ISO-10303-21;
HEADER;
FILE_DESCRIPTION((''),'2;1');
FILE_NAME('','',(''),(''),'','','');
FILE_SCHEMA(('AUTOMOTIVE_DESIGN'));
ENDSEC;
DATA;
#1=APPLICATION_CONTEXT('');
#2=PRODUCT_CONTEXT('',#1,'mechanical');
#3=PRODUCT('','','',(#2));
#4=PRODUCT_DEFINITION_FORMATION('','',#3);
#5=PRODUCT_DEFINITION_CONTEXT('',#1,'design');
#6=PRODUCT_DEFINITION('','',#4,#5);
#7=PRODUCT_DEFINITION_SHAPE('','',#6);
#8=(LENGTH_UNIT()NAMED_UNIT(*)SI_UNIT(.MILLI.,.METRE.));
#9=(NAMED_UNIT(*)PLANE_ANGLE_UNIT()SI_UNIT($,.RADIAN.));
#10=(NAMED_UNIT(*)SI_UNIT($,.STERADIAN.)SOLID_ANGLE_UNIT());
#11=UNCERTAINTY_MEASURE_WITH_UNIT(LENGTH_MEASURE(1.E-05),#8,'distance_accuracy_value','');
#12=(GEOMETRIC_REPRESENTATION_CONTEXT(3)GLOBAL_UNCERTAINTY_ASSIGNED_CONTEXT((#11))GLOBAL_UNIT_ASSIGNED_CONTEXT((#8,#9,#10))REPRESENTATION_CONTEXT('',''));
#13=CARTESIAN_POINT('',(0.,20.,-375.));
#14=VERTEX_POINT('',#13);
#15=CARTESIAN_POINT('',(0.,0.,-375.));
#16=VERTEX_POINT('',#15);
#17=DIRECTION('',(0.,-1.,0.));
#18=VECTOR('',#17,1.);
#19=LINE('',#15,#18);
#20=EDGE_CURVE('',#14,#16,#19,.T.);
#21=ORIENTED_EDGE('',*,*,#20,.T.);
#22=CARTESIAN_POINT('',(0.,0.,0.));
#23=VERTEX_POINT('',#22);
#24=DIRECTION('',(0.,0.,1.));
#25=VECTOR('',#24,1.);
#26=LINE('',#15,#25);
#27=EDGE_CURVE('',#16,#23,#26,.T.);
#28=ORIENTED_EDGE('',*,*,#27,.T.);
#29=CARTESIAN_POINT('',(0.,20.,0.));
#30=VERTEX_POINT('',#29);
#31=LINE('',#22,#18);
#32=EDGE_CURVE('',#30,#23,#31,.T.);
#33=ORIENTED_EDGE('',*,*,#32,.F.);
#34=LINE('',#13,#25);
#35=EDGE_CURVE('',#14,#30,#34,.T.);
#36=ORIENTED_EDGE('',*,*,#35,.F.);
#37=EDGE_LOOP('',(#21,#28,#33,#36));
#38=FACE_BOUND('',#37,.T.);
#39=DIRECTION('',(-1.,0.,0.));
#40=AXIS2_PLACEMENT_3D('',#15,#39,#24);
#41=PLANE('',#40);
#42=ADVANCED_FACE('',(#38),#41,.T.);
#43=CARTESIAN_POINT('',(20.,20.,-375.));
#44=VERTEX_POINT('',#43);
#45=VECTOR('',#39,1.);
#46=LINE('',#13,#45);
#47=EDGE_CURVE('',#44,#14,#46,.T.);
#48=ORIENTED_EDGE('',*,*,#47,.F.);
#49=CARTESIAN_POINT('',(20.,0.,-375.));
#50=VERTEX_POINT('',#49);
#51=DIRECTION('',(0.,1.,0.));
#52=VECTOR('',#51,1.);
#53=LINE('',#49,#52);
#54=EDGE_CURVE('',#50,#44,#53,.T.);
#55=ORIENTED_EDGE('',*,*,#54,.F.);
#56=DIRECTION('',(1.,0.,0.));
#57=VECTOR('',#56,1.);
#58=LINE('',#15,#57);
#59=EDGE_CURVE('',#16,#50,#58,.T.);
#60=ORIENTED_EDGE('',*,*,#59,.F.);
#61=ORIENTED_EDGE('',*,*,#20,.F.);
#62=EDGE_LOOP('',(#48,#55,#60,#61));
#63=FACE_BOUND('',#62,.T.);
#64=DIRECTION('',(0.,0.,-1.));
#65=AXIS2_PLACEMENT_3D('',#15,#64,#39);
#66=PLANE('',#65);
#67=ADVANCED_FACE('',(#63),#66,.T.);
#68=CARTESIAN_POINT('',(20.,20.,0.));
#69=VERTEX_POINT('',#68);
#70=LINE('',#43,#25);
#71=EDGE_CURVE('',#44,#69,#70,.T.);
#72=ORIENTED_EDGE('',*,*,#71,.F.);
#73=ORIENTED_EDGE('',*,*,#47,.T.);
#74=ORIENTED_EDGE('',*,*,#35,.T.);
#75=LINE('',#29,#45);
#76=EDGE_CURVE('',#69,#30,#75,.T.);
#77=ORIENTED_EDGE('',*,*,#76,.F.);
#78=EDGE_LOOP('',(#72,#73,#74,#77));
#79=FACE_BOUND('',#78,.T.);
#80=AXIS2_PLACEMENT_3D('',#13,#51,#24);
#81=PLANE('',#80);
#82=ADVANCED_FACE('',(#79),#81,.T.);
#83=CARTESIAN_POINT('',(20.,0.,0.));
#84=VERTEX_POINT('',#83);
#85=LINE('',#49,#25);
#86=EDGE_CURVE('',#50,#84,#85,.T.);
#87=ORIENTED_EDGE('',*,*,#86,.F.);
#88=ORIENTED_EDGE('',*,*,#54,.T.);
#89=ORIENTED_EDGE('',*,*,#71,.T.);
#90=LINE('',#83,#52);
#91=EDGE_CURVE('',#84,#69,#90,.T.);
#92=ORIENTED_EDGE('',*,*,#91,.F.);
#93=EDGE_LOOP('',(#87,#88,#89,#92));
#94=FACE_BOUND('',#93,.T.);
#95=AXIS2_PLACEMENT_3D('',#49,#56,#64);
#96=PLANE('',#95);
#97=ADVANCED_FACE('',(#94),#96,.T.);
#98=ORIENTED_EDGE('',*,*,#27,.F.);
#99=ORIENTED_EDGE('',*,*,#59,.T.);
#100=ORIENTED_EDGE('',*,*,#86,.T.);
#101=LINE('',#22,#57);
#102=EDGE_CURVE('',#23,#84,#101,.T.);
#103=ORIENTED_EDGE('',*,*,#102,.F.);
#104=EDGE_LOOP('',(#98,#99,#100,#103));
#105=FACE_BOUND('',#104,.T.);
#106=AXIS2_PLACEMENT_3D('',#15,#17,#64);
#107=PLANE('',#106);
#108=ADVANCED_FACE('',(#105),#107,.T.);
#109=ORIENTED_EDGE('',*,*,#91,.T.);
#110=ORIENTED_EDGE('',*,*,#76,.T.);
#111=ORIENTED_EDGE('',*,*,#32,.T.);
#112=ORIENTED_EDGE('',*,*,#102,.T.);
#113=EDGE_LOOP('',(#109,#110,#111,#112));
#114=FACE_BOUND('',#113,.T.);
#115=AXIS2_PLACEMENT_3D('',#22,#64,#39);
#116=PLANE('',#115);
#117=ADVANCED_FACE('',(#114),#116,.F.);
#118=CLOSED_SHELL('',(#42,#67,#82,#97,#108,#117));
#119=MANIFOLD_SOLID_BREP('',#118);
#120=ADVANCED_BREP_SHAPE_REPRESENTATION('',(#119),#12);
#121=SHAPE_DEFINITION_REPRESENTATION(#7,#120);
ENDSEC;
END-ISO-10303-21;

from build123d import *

# Parameters (mm, degrees)
SZKIC1_W                    = 20
SZKIC1_H                    = 20
DODANIE_WYCI_GNI_CIE1_DEPTH = 375


with BuildPart() as part:
    # Szkic1 → Dodanie-wyciągnięcie1 (new body)
    with BuildSketch(Plane.XY):
        with Locations((10, 10)):
            Rectangle(SZKIC1_W, SZKIC1_H)
    extrude(amount=-DODANIE_WYCI_GNI_CIE1_DEPTH)


solid = part.part
